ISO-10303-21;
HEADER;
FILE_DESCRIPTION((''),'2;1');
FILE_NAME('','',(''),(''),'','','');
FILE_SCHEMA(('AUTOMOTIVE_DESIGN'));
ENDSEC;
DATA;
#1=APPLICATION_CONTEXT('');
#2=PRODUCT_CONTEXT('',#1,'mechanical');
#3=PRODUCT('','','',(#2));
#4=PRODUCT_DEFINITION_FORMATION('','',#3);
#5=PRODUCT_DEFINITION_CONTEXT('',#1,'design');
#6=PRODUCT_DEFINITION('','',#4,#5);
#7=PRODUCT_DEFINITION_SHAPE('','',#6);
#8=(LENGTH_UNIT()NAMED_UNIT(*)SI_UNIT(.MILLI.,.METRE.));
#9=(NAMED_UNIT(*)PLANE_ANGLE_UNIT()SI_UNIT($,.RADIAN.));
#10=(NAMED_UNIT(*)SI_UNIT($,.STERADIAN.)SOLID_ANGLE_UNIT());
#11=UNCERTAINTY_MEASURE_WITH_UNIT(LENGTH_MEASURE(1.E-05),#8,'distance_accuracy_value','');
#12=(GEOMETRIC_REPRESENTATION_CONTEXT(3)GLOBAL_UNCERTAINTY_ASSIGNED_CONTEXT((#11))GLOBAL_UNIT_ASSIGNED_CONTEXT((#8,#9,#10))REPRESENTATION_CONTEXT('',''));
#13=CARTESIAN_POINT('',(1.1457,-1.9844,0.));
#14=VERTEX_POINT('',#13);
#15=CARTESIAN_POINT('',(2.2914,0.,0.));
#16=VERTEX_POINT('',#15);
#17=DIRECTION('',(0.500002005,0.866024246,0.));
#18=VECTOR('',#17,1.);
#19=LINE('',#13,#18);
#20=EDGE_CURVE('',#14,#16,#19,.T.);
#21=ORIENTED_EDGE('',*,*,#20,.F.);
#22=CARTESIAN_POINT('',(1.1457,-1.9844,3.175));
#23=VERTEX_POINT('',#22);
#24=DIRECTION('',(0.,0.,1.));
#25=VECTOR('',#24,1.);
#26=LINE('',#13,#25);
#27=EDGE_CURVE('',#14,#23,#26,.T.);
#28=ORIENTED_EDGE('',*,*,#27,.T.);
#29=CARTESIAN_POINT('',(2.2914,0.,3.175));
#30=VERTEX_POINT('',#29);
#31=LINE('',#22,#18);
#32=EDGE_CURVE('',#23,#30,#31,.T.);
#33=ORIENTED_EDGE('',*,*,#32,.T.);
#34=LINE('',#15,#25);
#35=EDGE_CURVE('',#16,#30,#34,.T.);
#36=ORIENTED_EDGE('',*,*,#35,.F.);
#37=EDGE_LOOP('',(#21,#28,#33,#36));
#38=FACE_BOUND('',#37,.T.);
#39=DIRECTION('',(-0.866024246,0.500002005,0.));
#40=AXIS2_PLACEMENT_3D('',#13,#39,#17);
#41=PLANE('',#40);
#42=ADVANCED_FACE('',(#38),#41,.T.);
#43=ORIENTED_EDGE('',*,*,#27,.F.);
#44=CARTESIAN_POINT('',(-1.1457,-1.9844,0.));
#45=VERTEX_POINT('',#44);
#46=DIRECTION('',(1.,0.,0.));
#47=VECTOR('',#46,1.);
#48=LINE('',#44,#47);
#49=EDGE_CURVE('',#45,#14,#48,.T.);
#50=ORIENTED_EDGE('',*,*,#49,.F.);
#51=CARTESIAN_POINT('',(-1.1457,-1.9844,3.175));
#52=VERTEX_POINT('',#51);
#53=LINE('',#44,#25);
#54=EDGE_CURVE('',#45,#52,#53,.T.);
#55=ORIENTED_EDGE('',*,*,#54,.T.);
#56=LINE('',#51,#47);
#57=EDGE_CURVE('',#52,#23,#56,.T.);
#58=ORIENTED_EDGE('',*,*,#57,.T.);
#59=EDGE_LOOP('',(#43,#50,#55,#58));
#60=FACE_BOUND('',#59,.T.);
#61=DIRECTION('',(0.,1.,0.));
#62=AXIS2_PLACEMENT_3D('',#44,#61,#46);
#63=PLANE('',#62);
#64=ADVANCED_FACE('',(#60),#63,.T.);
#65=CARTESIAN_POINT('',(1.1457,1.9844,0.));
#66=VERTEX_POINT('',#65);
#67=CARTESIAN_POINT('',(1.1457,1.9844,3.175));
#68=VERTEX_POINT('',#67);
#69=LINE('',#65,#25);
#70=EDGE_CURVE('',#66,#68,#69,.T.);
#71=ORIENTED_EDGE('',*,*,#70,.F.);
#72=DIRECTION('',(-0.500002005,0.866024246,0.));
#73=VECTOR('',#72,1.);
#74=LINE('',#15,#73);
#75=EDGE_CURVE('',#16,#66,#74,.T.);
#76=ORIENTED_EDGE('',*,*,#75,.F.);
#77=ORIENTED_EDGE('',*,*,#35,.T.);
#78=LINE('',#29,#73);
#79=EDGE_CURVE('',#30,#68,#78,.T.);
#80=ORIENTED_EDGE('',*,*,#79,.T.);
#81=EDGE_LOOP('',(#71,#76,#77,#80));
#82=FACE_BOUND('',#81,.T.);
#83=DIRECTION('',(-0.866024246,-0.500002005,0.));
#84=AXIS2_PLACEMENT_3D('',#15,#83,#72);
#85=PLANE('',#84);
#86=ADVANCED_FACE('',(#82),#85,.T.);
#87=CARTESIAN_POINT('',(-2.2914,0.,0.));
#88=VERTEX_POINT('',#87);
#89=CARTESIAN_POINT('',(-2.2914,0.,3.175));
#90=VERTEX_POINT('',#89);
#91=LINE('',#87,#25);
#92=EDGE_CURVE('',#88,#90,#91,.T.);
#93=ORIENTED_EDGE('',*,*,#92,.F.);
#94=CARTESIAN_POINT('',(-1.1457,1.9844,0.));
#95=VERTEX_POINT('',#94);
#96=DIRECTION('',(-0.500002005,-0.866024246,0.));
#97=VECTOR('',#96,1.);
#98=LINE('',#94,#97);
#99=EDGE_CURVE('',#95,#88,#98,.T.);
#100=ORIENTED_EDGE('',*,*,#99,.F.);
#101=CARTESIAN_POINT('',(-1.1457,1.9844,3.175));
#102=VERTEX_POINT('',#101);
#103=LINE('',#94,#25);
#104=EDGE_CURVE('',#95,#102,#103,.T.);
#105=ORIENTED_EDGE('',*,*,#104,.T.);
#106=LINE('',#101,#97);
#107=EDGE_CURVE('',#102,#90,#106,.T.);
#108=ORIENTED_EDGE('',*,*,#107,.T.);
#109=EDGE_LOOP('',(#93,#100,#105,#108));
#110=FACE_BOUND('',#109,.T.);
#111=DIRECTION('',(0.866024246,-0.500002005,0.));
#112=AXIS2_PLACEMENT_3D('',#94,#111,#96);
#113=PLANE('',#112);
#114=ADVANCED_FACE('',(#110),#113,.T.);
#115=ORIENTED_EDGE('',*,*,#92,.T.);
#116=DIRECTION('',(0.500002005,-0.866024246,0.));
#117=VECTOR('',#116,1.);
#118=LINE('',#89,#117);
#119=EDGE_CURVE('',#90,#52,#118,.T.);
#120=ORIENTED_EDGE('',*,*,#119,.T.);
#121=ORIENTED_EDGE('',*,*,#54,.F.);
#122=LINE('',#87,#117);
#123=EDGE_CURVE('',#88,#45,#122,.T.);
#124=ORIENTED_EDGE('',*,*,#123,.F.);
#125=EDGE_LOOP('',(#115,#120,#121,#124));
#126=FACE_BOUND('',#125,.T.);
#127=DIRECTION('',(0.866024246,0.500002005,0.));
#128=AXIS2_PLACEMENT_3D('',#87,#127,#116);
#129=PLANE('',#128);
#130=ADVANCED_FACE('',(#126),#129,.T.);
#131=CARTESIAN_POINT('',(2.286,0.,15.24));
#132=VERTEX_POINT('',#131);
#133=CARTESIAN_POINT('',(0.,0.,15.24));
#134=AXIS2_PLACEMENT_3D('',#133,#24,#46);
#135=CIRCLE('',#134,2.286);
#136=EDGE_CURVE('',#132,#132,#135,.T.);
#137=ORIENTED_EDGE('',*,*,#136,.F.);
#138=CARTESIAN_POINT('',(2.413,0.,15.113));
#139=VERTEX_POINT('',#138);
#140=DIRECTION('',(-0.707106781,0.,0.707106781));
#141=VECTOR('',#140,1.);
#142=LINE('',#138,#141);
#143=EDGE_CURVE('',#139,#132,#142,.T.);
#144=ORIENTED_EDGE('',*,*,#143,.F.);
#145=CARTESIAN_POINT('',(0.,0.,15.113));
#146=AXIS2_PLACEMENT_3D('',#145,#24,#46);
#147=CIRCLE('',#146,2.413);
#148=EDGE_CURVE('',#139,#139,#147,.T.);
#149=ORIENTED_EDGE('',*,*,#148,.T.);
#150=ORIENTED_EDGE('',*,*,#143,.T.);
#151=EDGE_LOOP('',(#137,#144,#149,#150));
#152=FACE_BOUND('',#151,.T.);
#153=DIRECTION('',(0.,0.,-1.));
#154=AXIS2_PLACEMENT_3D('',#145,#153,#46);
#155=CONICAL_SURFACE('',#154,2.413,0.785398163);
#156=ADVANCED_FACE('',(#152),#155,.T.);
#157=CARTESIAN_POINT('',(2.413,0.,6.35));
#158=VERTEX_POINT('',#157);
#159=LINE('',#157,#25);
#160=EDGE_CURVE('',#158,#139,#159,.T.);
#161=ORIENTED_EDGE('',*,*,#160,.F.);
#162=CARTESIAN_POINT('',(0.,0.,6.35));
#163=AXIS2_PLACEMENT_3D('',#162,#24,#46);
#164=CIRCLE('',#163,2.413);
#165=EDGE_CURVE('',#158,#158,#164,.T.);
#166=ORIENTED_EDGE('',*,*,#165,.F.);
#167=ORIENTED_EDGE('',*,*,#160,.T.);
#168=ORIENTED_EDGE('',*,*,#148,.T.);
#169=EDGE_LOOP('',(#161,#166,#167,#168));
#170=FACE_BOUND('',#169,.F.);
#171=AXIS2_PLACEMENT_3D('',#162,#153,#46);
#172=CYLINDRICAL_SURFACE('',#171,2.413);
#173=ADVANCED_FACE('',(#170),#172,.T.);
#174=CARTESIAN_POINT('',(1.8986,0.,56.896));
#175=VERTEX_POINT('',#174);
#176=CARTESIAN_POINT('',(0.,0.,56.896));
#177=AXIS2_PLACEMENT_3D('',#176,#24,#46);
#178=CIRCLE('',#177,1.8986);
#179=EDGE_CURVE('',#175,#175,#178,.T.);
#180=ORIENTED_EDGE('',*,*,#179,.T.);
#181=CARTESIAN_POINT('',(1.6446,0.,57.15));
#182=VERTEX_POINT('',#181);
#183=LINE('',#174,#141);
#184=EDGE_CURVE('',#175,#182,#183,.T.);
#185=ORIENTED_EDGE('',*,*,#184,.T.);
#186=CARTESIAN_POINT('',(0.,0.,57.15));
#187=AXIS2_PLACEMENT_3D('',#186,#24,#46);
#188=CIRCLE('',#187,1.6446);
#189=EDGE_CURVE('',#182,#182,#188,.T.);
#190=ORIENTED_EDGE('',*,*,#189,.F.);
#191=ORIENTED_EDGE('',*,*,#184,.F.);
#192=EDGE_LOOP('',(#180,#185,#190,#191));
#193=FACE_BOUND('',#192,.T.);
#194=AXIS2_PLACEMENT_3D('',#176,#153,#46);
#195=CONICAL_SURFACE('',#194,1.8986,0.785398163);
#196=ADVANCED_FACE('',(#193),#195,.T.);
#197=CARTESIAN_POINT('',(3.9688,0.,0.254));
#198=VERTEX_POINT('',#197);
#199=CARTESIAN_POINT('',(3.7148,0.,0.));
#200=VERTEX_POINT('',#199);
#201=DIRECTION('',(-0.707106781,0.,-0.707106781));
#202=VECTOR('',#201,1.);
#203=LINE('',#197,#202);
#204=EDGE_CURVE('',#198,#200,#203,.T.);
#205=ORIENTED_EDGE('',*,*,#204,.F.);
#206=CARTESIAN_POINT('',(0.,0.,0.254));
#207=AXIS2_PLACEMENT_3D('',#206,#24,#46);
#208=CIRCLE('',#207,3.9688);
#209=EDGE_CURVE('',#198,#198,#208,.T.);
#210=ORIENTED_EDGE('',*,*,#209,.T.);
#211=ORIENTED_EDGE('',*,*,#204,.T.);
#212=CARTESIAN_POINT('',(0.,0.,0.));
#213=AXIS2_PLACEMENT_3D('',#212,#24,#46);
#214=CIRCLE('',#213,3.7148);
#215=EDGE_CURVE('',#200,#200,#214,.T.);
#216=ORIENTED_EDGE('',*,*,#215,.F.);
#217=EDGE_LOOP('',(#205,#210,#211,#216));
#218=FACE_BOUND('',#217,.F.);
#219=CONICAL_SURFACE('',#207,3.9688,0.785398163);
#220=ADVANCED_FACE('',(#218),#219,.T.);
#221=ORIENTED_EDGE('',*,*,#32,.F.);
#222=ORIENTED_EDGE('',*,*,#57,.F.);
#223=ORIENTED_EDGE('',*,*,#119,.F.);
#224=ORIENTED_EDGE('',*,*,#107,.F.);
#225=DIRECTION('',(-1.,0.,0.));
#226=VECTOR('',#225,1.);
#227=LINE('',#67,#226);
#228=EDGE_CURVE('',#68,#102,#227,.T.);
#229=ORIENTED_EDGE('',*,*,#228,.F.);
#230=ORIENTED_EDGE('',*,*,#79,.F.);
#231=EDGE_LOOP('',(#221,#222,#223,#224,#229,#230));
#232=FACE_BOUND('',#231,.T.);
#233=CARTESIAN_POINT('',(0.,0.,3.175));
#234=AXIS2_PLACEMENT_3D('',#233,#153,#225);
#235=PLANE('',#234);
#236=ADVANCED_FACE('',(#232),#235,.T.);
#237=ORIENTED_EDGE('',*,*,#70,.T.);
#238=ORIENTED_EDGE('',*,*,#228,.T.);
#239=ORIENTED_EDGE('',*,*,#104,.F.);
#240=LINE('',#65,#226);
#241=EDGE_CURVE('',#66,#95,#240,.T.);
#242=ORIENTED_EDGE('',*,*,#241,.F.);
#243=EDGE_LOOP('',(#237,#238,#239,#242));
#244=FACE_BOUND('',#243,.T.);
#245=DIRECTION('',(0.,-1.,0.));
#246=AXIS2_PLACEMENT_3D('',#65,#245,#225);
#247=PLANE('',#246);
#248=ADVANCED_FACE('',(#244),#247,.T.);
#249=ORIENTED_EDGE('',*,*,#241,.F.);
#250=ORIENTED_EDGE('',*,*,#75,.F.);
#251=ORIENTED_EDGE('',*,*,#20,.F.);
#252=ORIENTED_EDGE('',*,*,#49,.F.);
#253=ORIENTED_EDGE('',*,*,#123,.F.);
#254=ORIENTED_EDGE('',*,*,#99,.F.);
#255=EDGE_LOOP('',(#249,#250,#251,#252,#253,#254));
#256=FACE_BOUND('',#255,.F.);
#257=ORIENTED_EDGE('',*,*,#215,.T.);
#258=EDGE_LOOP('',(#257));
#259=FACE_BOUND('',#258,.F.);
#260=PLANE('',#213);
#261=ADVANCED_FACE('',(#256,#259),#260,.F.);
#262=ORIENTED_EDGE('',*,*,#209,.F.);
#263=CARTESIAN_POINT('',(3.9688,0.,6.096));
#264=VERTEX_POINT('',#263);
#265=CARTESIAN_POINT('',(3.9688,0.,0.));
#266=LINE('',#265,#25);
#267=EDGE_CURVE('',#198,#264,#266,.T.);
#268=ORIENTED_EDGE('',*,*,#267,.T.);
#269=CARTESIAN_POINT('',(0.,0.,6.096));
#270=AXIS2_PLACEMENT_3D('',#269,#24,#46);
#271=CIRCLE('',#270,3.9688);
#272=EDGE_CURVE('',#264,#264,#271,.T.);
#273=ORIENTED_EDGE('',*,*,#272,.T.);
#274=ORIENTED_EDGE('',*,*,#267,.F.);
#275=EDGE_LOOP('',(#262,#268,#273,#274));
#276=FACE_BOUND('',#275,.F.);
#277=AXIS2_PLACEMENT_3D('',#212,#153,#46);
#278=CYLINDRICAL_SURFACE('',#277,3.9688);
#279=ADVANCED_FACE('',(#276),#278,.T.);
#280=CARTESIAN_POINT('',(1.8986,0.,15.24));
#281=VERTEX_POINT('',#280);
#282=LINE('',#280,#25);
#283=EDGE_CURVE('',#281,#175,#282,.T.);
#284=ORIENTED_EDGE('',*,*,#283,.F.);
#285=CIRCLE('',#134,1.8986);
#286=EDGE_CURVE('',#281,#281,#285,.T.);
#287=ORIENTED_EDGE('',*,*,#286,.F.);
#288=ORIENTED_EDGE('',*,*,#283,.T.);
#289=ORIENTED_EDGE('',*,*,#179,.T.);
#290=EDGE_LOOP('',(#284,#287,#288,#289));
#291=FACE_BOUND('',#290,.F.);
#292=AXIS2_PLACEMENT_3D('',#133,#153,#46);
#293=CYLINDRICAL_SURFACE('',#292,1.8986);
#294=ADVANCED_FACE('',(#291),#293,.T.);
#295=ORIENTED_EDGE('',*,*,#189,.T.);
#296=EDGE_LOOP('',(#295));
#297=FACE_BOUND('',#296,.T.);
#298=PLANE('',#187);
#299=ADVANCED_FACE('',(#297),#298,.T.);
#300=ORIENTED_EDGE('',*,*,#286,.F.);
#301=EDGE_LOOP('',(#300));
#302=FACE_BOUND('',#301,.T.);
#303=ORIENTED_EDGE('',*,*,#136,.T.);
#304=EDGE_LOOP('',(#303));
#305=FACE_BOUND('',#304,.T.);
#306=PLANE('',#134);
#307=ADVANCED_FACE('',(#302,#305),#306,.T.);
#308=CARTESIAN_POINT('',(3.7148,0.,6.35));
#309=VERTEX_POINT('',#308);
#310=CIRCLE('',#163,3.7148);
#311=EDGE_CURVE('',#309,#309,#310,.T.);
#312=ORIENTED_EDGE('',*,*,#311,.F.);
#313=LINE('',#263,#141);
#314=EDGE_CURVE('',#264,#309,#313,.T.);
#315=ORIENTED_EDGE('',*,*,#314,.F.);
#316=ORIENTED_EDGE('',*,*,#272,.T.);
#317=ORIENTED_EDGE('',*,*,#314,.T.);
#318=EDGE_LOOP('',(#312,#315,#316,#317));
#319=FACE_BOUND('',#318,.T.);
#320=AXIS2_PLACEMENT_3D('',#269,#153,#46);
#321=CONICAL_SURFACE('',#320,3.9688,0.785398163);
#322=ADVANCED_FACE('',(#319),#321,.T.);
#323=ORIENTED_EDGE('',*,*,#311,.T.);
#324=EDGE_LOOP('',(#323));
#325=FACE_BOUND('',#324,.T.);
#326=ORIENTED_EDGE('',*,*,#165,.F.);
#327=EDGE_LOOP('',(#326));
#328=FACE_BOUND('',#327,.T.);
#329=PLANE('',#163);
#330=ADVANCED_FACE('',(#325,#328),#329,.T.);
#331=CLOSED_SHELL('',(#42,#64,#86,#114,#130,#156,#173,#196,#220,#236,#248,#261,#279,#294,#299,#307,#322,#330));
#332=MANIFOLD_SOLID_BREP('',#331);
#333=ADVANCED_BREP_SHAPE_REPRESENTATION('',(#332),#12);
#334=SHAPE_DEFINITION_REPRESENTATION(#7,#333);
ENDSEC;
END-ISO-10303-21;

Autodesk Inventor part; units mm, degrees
ref_plane "YZ Plane" through (0, 0, 0) normal (1, 0, 0) x (0, 1, 0)
ref_plane "XZ Plane" through (0, 0, 0) normal (0, 1, 0) x (-1, 0, 0)
ref_plane "XY Plane" through (0, 0, 0) normal (0, 0, 1) x (1, 0, 0)
sketch "Sketch1" plane through (0, 0, 0) normal (0, 0, 1) x (1, 0, 0)
  circle A0 centre (0, 0) radius 3.9688
  dimension "d0" = 7.9375
extrude "Extrusion1" add sketch "Sketch1" along normal blind 6.35
sketch "Sketch2" plane through (0, 0, 6.35) normal (0, 0, 1) x (1, 0, 0)
  circle A0 centre (0, 0) radius 3.9688 projected
  circle A1 centre (0, 0) radius 2.413
  dimension "d4" = 4.826
extrude "Extrusion2" add sketch "Sketch2" along normal blind 8.89 contours A1
thread "Thread1" size "10-32 UNF" class "2A" standard "ANSI Unified Screw Threads" full length
sketch "Sketch3" plane through (0, 0, 15.24) normal (0, 0, 1) x (1, 0, 0)
  circle A0 centre (0, 0) radius 2.413 projected
  circle A1 centre (0, 0) radius 1.8986
  dimension "d17" = 3.7973
extrude "Extrusion3" add sketch "Sketch3" along normal blind 41.91 contours A1
sketch "Sketch4" plane through (0, 0, 0) normal (0, 0, -1) x (-1, 0, 0)
  circle A0 centre (0, 0) radius 3.9688 projected
  line L0 (-2.2914, 0) -> (-1.1457, 1.9844)
  line L1 (-1.1457, 1.9844) -> (1.1457, 1.9844)
  line L2 (1.1457, 1.9844) -> (2.2914, 0)
  line L3 (2.2914, 0) -> (1.1457, -1.9844)
  line L4 (1.1457, -1.9844) -> (-1.1457, -1.9844)
  line L5 (-1.1457, -1.9844) -> (-2.2914, 0)
  dimension "d23" = 3.9688
extrude "Extrusion4" cut sketch "Sketch4" against normal blind 3.175 contours L0 L1 L2 L3 L4 L5
chamfer "Chamfer1" distance 0.254 angle 45 3 edges at (-3.9688, 0, 0) (-3.9688, 0, 6.35) (-1.8986, 0, 57.15)
chamfer "Chamfer2" distance 0.127 angle 45 1 edges at (-2.413, 0, 15.24)
properties part number "Rod Bolt Side"
